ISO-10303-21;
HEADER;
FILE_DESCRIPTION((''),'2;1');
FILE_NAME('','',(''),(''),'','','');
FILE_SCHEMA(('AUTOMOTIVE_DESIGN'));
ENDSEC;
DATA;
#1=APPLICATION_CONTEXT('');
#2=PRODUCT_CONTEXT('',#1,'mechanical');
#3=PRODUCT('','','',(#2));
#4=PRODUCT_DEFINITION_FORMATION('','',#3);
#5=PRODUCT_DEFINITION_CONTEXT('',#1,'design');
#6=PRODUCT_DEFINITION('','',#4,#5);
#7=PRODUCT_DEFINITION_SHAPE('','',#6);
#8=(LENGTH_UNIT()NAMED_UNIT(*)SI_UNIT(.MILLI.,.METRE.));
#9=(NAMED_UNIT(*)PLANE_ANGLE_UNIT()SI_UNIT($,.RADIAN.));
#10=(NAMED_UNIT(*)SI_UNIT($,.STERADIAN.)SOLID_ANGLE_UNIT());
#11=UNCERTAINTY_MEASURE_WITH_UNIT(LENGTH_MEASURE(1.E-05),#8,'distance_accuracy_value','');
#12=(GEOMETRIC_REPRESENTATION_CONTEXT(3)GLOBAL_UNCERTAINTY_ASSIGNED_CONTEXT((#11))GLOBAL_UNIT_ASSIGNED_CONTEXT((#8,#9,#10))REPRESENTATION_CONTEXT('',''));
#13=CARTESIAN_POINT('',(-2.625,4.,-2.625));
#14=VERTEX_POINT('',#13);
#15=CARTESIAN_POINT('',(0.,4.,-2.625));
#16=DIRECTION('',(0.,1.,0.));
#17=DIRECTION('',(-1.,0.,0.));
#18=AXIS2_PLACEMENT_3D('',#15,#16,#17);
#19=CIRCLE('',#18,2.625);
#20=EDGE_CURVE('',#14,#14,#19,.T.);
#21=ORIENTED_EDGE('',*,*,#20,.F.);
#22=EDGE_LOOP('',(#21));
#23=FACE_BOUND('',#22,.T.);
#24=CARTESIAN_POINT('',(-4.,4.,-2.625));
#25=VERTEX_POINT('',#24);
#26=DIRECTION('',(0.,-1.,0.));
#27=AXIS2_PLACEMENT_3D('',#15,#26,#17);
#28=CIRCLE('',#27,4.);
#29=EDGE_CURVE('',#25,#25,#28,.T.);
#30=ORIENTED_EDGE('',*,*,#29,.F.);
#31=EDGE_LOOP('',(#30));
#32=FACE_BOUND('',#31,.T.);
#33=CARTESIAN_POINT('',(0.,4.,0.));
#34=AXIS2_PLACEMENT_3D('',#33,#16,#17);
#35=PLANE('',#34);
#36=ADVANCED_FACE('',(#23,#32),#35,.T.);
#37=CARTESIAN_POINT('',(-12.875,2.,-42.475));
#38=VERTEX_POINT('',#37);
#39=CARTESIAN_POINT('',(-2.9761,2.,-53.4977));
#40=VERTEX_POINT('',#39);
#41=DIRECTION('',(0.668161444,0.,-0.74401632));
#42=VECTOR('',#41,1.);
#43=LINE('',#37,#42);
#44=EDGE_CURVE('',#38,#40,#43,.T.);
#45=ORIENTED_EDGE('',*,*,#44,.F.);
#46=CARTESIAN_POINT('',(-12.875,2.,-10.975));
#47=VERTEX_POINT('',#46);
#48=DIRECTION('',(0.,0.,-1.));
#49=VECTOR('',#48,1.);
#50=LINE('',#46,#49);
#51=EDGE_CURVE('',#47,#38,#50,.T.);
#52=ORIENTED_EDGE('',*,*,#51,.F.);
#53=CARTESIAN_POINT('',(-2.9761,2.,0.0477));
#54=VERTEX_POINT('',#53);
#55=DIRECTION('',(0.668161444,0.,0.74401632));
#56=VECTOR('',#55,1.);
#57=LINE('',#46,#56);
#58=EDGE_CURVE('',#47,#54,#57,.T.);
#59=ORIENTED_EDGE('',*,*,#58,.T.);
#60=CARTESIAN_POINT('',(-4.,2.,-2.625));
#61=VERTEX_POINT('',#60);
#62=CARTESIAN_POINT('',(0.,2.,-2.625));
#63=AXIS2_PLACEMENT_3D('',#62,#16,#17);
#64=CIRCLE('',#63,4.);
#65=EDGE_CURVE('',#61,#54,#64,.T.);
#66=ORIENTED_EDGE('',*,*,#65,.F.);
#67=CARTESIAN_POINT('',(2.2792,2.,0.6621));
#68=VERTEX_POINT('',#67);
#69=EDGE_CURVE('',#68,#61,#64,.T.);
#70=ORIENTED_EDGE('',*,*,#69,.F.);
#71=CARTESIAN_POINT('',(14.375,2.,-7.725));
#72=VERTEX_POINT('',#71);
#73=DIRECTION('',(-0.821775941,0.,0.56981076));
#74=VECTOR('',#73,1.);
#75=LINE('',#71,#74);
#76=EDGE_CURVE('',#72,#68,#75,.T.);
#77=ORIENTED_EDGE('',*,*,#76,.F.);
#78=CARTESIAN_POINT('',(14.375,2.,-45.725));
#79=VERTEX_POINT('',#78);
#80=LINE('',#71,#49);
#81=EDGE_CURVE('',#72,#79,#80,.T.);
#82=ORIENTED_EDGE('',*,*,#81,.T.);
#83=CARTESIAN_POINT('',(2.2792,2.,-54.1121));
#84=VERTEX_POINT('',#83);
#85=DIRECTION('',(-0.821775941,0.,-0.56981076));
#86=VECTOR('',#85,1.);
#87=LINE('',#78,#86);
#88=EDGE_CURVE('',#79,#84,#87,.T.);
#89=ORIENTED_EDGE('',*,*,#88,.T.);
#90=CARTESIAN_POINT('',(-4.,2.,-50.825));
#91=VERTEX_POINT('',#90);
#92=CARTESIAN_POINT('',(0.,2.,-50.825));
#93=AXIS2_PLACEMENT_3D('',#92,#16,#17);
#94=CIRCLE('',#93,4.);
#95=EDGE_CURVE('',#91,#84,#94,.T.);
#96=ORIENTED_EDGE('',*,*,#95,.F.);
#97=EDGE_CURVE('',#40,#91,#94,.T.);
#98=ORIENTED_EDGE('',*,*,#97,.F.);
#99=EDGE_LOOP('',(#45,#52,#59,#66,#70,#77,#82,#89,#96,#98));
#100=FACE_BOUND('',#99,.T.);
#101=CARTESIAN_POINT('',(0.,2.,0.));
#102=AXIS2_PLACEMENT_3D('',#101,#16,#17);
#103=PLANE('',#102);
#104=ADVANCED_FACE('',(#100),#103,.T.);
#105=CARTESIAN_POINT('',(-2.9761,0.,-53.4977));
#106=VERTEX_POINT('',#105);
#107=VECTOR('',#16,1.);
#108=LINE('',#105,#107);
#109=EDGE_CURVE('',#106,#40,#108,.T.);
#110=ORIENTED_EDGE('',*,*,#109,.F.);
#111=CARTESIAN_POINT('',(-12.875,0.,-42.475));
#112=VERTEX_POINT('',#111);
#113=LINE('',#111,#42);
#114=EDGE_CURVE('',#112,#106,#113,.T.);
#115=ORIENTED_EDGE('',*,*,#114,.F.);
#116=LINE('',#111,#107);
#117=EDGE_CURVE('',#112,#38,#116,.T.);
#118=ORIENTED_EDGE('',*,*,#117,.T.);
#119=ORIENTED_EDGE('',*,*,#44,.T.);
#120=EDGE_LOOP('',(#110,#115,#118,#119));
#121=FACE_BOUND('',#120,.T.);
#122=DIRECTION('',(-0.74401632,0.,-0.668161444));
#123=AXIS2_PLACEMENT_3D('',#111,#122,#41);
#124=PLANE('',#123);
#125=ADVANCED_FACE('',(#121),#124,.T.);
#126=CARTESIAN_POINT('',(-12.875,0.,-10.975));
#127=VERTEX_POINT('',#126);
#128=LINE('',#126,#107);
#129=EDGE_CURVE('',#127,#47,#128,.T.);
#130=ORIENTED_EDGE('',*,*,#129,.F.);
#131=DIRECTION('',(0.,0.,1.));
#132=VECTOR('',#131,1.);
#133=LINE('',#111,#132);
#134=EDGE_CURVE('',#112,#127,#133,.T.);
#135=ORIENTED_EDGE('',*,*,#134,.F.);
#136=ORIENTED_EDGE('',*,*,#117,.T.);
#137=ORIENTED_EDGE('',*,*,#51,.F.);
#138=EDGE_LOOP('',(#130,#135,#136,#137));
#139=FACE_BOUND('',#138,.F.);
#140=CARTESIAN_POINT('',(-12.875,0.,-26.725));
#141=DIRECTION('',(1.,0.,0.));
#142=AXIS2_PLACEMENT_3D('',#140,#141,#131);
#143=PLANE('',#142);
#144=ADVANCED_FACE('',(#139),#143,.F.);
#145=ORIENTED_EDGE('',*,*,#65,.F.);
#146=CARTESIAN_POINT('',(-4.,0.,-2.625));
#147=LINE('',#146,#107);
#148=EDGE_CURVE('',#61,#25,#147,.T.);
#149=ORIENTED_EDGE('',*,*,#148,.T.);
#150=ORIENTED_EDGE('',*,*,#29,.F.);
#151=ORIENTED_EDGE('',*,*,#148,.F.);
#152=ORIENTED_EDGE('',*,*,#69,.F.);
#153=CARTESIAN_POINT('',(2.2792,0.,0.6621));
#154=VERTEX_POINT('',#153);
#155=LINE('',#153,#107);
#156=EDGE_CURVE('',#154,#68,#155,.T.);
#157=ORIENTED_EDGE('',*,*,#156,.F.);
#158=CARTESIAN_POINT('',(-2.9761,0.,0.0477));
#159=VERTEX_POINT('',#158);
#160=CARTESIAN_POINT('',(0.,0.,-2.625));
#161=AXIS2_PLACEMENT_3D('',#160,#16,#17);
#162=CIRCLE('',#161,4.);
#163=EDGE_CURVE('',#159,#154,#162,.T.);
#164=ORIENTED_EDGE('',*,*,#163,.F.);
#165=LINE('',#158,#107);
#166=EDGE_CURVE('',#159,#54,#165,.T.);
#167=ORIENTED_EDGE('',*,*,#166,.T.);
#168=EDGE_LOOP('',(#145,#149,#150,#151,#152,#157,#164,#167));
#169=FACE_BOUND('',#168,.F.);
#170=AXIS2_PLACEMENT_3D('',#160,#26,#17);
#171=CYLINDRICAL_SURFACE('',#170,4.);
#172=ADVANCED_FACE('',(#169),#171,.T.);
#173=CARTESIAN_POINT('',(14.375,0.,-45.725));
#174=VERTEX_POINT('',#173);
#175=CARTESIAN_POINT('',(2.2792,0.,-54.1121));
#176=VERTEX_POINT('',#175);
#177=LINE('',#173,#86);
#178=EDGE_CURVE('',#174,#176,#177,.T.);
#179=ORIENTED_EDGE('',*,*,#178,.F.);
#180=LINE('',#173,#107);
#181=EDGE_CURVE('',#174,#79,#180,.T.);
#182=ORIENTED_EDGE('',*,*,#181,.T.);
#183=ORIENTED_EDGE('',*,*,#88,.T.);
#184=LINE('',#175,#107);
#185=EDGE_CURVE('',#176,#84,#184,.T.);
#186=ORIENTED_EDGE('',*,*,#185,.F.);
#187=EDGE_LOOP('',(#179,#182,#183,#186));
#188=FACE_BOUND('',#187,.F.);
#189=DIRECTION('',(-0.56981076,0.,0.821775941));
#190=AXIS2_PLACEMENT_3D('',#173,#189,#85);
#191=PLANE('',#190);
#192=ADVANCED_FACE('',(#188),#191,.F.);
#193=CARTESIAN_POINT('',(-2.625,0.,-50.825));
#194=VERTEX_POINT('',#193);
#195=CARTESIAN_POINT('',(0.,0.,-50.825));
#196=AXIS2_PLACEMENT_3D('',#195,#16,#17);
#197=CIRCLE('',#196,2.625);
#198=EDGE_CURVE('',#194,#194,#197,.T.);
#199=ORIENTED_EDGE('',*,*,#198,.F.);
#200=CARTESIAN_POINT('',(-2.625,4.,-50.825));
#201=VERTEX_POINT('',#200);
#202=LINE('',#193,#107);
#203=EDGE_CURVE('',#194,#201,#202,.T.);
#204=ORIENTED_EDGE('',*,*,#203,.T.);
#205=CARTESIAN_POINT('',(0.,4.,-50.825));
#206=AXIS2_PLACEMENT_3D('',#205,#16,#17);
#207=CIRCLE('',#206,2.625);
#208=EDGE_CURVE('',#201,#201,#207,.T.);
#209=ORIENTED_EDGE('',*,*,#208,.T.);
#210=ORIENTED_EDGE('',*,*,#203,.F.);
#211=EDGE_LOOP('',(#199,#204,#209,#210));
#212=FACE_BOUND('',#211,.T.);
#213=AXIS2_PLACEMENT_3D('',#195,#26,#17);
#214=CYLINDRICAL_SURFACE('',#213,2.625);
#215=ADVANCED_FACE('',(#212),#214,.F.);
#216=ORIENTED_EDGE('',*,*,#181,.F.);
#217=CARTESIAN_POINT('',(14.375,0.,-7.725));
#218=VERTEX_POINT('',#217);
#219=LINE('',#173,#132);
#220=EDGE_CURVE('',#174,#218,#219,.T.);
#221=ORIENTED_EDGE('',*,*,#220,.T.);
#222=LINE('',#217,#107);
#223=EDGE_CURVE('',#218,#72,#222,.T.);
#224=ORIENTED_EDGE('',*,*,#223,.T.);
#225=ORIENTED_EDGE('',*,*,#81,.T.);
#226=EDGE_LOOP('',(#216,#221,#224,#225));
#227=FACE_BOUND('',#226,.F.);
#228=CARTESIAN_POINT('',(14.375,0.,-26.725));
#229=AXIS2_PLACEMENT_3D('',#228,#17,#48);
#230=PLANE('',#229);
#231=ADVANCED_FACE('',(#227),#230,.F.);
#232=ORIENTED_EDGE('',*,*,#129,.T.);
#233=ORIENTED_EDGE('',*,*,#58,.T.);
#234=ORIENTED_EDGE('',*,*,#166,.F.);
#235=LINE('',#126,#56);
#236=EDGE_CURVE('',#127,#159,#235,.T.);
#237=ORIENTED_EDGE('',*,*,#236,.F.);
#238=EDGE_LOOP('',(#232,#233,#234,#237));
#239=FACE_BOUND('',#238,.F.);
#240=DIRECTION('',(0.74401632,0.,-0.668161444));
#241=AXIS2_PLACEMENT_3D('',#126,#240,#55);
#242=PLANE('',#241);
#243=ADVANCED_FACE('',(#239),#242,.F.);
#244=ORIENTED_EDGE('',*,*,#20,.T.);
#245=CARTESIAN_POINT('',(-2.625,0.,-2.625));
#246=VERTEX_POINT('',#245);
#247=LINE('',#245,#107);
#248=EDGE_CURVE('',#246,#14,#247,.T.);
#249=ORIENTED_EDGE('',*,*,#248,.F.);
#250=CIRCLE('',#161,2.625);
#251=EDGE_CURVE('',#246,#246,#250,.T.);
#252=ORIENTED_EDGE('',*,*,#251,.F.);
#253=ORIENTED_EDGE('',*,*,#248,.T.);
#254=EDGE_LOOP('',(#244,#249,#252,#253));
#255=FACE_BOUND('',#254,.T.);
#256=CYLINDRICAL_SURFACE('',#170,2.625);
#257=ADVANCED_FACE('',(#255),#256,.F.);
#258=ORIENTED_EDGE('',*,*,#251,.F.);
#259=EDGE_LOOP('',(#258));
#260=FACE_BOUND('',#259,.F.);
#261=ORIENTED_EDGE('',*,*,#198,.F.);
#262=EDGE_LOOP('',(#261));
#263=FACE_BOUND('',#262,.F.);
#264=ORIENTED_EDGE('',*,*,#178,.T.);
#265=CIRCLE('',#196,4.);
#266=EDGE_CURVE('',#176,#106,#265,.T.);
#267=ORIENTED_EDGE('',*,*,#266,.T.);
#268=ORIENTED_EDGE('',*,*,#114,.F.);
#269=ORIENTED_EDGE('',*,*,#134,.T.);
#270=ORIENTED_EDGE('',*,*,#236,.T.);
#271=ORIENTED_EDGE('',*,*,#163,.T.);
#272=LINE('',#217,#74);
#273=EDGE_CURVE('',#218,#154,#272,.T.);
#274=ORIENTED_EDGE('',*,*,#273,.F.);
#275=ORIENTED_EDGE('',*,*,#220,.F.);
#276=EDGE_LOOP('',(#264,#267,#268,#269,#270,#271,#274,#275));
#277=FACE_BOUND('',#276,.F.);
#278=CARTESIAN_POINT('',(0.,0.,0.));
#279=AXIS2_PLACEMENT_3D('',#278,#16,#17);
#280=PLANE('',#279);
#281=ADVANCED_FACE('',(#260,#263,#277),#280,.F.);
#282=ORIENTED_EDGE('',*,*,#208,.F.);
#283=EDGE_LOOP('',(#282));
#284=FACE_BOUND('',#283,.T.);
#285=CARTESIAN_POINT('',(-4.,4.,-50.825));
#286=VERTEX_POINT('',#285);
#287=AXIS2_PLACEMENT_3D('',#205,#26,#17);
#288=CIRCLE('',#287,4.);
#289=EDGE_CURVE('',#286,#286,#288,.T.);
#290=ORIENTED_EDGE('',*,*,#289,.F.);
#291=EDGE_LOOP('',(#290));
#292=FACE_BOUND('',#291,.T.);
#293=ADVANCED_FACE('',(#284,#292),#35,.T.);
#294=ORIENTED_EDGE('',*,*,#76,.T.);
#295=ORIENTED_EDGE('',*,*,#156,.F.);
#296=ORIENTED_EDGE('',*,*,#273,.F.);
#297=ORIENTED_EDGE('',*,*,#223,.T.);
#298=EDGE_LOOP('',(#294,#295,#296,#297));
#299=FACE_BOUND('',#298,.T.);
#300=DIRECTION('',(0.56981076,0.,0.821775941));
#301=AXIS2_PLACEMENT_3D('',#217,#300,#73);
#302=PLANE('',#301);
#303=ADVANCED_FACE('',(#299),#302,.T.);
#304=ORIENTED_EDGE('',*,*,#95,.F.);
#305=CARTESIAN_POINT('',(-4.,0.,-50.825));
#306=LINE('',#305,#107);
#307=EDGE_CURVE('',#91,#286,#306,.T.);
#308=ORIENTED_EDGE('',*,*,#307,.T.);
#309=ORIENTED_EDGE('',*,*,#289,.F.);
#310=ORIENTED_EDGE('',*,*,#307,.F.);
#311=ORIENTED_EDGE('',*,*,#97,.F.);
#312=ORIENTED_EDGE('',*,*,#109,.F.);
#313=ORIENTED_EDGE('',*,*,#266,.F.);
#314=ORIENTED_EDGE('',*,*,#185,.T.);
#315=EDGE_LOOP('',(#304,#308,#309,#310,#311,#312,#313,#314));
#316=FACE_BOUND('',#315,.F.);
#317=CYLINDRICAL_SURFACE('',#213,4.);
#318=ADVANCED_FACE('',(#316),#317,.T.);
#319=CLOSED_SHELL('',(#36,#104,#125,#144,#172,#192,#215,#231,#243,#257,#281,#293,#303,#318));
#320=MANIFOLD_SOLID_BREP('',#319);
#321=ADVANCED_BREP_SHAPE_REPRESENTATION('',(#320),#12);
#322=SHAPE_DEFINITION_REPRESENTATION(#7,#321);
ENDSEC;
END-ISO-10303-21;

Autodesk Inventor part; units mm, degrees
ref_plane "YZ Plane" through (0, 0, 0) normal (1, 0, 0) x (0, 1, 0)
ref_plane "XZ Plane" through (0, 0, 0) normal (0, 1, 0) x (-1, 0, 0)
ref_plane "XY Plane" through (0, 0, 0) normal (0, 0, 1) x (1, 0, 0)
sketch "Sketch1" plane through (0, 0, 0) normal (0, 1, 0) x (-1, 0, 0)
  line L0 (0, 0) -> (0, -53.45) construction
  line L1 (0, -53.45) -> (0, -50.825) construction
  line L2 (0, 0) -> (0, -2.625) construction
  circle A0 centre (0, -2.625) radius 2.625
  circle A1 centre (0, -50.825) radius 2.625
  circle A2 centre (0, -2.625) radius 4
  circle A3 centre (0, -50.825) radius 4
  line L3 (-2.625, -2.625) -> (12.875, -2.625) construction
  line L4 (0, -26.725) -> (12.875, -26.725) construction
  line L5 (12.875, -26.725) -> (12.875, -42.475)
  line L6 (12.875, -26.725) -> (12.875, -10.975)
  line L7 (12.875, -10.975) -> (2.9761, 0.0477)
  line L8 (12.875, -42.475) -> (2.9761, -53.4977)
  line L9 (2.625, -50.825) -> (-14.375, -50.825) construction
  line L10 (0, -26.725) -> (-14.375, -26.725) construction
  line L11 (-14.375, -26.725) -> (-14.375, -45.725)
  line L12 (-14.375, -26.725) -> (-14.375, -7.725)
  line L13 (-14.375, -7.725) -> (-2.2792, 0.6621)
  line L14 (-14.375, -45.725) -> (-2.2792, -54.1121)
  dimension "d0" = 53.45
  dimension "d1" = 2.625
  dimension "d2" = 2.625
  dimension "d3" = 8
  dimension "d4" = 8
  dimension "d5" = 15.5
  dimension "d6" = 15.75
  dimension "d7" = 17
  dimension "d8" = 19
extrude "Extrusion1" add sketch "Sketch1" along normal blind 2 contours A2 L7 L6 L5 L8 A3 L14 L11 L12 L13
extrude "Extrusion2" add sketch "Sketch1" along normal blind 4 contours A2 | A3
properties part number "front trunk table"
